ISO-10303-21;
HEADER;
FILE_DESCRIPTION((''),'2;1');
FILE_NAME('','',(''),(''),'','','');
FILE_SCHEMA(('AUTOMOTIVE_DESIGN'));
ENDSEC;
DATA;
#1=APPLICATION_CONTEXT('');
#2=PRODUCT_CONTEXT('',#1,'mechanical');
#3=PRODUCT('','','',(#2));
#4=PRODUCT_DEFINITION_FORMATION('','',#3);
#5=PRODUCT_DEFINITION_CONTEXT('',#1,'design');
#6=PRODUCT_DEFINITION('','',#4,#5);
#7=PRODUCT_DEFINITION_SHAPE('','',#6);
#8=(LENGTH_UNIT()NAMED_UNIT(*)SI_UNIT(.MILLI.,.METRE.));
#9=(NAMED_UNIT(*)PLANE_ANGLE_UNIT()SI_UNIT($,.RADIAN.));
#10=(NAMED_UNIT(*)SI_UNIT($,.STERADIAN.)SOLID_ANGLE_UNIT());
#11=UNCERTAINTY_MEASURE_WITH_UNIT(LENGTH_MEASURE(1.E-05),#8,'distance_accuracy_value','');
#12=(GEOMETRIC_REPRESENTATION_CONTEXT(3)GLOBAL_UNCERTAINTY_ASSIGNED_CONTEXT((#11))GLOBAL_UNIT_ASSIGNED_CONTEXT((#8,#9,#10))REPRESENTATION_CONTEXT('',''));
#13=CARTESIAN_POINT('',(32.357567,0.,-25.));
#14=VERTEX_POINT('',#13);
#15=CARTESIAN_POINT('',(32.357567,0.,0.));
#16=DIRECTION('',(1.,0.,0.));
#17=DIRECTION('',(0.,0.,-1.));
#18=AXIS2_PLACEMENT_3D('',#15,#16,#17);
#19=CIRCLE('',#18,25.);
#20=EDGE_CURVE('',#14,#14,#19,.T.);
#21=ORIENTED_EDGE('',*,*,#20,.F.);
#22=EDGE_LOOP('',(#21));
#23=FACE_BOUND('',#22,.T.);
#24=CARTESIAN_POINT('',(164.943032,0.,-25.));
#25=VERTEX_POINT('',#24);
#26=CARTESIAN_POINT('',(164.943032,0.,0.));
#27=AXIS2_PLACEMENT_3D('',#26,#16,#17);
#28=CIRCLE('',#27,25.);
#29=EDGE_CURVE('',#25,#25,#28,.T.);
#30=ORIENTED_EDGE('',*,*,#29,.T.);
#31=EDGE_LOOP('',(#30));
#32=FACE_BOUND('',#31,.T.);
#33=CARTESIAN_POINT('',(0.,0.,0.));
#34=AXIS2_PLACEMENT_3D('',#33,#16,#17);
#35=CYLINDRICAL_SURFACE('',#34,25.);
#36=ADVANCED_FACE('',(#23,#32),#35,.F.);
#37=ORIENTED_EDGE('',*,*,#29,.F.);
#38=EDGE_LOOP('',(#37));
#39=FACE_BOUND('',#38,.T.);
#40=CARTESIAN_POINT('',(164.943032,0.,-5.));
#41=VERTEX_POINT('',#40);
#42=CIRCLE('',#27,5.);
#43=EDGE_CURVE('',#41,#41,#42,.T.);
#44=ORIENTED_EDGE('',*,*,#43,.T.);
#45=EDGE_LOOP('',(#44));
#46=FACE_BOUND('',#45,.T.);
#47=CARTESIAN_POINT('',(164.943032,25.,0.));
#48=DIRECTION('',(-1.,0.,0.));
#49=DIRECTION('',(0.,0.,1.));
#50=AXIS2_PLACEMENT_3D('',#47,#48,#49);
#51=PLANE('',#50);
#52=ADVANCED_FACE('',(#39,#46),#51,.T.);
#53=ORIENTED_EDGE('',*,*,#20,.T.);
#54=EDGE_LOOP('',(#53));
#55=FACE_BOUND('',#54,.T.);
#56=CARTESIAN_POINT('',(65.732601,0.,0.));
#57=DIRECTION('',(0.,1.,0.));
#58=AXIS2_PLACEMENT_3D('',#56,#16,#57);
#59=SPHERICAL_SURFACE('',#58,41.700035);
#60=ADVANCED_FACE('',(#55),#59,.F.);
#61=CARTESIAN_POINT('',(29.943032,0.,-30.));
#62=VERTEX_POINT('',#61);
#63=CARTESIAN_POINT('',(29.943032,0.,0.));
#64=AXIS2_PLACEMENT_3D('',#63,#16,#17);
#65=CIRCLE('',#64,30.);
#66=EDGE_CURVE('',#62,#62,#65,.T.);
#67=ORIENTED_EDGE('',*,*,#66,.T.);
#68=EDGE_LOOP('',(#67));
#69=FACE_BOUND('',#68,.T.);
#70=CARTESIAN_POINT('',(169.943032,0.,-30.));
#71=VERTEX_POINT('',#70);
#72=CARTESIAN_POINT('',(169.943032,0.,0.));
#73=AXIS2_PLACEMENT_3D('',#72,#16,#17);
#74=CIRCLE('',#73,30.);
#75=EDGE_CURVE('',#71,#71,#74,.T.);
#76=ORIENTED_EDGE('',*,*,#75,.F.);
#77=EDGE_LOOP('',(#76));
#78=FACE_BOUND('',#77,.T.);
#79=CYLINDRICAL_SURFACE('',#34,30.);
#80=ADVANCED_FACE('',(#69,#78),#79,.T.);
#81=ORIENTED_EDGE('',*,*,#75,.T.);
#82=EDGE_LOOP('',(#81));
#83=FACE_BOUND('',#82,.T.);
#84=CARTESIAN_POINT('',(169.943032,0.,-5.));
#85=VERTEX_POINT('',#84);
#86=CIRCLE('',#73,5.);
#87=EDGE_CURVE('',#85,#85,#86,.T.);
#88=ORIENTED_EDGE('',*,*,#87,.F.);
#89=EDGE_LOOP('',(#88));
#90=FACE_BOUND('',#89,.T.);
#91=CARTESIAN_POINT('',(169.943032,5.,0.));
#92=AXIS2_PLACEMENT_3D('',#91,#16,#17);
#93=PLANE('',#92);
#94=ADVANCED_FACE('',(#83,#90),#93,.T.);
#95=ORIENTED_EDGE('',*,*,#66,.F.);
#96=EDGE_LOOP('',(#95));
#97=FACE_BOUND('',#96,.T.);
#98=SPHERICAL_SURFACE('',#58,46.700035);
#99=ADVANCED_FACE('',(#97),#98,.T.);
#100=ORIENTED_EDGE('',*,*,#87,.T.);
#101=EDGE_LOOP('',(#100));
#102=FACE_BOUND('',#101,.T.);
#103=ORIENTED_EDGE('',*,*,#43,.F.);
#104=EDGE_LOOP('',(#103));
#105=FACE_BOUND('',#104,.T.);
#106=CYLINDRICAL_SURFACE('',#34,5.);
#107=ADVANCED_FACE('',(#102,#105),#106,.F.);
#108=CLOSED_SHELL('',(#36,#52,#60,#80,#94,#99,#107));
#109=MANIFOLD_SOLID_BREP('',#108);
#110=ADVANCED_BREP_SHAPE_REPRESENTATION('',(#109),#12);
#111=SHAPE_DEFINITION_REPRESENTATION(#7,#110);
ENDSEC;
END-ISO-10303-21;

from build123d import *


with BuildPart() as part:
    # Sketch1 → Revolve6 (revolve)
    with BuildSketch(Plane.XY):
        with BuildLine():
            Line((169.943031877, 5), (169.943031877, 30))
            Line((169.943031877, 30), (29.943031877, 30))
            ThreePointArc((29.943031877, 30), (21.844861375, 15.961189352), (19.032566162, 0))
            Line((19.032566162, 0), (24.032566162, 0))
            ThreePointArc((24.032566162, 0), (26.168520101, 13.174839994), (32.357566788, 25))
            Line((32.357566788, 25), (164.943031877, 25))
            Line((164.943031877, 25), (164.943031877, 5))
            Line((164.943031877, 5), (169.943031877, 5))
        make_face()
    revolve(axis=Axis((0, 0, 0), (-1, 0, 0)))


solid = part.part
